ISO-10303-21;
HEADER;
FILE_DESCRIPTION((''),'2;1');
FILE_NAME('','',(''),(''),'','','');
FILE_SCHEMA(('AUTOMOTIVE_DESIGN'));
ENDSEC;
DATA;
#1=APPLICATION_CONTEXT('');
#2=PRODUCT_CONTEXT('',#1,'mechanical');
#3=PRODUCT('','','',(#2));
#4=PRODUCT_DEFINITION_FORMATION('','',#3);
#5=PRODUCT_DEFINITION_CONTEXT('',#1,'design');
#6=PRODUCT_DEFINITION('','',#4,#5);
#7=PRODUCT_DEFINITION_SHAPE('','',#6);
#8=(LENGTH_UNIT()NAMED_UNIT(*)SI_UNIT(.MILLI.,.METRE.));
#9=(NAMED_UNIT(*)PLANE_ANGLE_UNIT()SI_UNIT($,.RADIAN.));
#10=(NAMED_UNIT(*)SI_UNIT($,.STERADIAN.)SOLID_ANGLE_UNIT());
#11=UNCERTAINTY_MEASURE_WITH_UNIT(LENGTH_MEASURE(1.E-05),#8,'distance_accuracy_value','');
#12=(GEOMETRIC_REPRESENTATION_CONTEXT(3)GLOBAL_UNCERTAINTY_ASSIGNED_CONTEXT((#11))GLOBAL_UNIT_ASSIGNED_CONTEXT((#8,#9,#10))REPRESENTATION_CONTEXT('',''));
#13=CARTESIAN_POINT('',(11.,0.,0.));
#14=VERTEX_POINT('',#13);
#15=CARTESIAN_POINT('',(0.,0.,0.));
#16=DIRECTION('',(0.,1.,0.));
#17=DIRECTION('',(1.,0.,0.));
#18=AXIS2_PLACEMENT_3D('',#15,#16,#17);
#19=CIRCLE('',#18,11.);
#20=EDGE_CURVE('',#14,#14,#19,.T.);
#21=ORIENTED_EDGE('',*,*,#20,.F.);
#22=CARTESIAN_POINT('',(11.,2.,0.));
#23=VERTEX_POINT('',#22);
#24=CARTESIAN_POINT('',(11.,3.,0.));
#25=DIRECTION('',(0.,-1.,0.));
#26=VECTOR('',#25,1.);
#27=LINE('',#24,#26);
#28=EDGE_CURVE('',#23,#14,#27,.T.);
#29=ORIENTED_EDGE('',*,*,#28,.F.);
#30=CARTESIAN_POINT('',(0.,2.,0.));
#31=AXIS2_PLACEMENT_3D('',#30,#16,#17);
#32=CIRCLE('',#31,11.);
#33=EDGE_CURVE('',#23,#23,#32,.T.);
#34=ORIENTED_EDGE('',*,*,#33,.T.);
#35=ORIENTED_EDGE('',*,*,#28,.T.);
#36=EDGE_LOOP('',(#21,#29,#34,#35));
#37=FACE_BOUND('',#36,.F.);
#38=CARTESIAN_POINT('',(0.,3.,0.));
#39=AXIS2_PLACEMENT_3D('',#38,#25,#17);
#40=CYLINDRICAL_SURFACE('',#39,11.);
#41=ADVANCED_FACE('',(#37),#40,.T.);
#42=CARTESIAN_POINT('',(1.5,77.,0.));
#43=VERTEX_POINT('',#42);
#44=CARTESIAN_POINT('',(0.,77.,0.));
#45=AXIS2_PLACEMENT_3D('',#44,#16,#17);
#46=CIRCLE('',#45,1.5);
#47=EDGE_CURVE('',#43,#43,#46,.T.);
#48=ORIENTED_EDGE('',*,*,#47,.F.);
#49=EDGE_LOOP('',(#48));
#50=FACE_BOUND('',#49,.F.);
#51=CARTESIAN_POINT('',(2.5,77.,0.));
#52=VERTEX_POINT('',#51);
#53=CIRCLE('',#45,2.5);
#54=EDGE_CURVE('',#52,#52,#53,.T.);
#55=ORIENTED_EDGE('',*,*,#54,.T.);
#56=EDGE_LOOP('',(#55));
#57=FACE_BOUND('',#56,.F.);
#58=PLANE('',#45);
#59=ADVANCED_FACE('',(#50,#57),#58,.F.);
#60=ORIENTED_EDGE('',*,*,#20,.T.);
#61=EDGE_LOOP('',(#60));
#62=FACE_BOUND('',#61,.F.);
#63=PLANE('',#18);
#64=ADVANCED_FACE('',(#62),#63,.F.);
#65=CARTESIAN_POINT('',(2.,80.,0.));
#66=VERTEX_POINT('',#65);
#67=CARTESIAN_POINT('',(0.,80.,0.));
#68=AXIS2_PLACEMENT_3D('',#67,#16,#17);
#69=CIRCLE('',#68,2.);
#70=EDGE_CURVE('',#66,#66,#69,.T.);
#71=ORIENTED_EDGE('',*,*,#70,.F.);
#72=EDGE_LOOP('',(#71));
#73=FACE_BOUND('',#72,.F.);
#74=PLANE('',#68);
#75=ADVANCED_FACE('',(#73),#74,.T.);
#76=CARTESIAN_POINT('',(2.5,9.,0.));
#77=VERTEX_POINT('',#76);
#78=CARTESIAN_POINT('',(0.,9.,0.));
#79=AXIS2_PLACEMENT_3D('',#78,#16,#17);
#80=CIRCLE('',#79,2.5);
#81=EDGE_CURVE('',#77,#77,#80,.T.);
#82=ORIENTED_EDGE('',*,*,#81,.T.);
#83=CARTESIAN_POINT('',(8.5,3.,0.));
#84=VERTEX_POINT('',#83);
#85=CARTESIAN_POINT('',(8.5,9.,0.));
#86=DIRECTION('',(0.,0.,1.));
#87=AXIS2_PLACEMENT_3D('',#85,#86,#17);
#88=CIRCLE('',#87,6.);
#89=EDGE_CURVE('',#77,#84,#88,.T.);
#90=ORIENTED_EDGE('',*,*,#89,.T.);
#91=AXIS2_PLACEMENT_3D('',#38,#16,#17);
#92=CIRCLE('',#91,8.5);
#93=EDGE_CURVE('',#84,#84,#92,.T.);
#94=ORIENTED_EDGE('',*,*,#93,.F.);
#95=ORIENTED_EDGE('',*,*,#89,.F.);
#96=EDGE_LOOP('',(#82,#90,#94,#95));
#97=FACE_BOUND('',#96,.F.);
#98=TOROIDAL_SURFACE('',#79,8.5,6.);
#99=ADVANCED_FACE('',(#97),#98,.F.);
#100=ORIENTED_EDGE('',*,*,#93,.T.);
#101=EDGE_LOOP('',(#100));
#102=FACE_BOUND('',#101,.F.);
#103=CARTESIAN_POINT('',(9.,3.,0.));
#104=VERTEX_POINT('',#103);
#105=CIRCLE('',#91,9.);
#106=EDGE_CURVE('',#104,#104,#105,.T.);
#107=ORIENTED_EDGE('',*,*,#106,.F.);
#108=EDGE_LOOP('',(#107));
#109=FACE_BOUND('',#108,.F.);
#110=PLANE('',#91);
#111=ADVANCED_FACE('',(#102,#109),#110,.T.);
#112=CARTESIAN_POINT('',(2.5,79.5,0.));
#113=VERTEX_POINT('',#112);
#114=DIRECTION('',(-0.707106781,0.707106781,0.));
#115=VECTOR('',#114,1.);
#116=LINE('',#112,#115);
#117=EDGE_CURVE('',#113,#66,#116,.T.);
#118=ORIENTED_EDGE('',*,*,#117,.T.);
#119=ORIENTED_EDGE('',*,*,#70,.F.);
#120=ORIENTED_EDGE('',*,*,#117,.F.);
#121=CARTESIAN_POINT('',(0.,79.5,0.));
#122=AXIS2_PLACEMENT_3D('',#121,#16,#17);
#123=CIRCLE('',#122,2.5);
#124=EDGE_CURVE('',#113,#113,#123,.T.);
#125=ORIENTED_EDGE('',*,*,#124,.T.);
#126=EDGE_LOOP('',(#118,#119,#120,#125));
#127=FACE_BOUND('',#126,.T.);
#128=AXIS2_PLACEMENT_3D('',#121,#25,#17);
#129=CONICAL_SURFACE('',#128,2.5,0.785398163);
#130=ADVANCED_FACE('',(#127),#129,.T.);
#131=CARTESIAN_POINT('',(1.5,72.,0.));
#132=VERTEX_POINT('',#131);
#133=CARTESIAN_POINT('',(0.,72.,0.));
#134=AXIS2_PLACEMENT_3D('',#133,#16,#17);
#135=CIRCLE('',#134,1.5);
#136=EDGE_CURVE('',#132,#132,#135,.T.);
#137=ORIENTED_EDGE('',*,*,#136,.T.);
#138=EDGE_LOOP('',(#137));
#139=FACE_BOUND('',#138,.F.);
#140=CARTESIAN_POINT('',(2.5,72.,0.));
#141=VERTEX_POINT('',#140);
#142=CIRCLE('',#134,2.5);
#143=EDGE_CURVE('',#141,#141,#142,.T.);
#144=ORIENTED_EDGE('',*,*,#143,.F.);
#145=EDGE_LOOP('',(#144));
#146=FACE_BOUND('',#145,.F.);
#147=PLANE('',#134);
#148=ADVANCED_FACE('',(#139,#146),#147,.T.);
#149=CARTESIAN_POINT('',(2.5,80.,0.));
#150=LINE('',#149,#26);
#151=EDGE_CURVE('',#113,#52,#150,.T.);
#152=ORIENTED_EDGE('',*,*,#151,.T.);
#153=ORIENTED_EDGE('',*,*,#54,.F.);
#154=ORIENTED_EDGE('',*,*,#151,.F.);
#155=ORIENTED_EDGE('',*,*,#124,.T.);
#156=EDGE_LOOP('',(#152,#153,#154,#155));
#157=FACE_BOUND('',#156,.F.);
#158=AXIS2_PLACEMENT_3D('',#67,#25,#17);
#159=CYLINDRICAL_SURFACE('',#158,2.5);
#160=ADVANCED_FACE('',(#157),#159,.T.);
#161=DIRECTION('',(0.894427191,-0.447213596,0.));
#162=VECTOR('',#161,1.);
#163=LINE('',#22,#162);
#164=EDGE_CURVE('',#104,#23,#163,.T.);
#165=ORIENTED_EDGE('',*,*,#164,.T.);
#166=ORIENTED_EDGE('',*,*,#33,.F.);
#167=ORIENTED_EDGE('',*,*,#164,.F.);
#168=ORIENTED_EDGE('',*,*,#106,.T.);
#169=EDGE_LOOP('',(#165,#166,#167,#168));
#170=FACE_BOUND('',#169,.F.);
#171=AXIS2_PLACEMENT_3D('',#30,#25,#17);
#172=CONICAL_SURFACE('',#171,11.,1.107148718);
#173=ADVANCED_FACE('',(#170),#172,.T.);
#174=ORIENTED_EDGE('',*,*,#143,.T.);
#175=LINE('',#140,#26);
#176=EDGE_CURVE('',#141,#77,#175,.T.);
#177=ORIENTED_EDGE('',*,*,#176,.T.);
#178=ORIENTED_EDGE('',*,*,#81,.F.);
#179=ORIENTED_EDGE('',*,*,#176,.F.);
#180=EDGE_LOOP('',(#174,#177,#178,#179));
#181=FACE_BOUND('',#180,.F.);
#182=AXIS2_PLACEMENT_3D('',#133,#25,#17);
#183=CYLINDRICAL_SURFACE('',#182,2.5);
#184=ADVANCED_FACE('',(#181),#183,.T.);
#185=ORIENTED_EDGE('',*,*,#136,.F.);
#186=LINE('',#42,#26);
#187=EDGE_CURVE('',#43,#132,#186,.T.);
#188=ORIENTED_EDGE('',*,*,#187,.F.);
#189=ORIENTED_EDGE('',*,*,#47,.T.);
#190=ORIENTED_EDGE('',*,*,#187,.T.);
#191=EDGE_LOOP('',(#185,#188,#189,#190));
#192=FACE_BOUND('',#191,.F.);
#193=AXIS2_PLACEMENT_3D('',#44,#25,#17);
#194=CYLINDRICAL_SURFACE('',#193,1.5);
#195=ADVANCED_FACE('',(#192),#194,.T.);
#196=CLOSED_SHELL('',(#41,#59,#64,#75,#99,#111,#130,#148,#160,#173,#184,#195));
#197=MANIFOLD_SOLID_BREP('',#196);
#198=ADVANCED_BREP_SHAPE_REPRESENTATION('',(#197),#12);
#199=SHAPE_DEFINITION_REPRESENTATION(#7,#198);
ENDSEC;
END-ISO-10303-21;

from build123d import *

# Parameters (mm, degrees)
FILLET1_R      = 6
CHAMFER1_SIZE  = 0.5
CHAMFER2_SIZE  = 2
CHAMFER2_SIZE2 = 1


with BuildPart() as part:
    # Sketch1 → Revolve1 (revolve)
    with BuildSketch(Plane.XY):
        Polygon((0, 0), (0, 80), (2.5, 80), (2.5, 77), (1.5, 77), (1.5, 72), (2.5, 72), (2.5, 3), (11, 3), (11, 0), align=None)
    revolve(axis=Axis((0, 0, 0), (0, 1, 0)))

    # Fillet1
    fillet1_edges = [part.edges().sort_by_distance(p)[0] for p in [
        (-2.5, 3, 0),
    ]]
    fillet(fillet1_edges, radius=FILLET1_R)

    # Chamfer1
    chamfer1_edges = [part.edges().sort_by_distance(p)[0] for p in [
        (-2.5, 80, 0),
    ]]
    chamfer(chamfer1_edges, length=CHAMFER1_SIZE)

    # Chamfer2
    chamfer2_edges = [part.edges().sort_by_distance(p)[0] for p in [
        (-11, 3, 0),
    ]]
    chamfer2_side = [part.faces().sort_by_distance(p)[0] for p in [
        (-8.811126984, 3, 0),
    ]]
    chamfer(chamfer2_edges, length=CHAMFER2_SIZE, length2=CHAMFER2_SIZE2, reference=chamfer2_side[0])


solid = part.part
